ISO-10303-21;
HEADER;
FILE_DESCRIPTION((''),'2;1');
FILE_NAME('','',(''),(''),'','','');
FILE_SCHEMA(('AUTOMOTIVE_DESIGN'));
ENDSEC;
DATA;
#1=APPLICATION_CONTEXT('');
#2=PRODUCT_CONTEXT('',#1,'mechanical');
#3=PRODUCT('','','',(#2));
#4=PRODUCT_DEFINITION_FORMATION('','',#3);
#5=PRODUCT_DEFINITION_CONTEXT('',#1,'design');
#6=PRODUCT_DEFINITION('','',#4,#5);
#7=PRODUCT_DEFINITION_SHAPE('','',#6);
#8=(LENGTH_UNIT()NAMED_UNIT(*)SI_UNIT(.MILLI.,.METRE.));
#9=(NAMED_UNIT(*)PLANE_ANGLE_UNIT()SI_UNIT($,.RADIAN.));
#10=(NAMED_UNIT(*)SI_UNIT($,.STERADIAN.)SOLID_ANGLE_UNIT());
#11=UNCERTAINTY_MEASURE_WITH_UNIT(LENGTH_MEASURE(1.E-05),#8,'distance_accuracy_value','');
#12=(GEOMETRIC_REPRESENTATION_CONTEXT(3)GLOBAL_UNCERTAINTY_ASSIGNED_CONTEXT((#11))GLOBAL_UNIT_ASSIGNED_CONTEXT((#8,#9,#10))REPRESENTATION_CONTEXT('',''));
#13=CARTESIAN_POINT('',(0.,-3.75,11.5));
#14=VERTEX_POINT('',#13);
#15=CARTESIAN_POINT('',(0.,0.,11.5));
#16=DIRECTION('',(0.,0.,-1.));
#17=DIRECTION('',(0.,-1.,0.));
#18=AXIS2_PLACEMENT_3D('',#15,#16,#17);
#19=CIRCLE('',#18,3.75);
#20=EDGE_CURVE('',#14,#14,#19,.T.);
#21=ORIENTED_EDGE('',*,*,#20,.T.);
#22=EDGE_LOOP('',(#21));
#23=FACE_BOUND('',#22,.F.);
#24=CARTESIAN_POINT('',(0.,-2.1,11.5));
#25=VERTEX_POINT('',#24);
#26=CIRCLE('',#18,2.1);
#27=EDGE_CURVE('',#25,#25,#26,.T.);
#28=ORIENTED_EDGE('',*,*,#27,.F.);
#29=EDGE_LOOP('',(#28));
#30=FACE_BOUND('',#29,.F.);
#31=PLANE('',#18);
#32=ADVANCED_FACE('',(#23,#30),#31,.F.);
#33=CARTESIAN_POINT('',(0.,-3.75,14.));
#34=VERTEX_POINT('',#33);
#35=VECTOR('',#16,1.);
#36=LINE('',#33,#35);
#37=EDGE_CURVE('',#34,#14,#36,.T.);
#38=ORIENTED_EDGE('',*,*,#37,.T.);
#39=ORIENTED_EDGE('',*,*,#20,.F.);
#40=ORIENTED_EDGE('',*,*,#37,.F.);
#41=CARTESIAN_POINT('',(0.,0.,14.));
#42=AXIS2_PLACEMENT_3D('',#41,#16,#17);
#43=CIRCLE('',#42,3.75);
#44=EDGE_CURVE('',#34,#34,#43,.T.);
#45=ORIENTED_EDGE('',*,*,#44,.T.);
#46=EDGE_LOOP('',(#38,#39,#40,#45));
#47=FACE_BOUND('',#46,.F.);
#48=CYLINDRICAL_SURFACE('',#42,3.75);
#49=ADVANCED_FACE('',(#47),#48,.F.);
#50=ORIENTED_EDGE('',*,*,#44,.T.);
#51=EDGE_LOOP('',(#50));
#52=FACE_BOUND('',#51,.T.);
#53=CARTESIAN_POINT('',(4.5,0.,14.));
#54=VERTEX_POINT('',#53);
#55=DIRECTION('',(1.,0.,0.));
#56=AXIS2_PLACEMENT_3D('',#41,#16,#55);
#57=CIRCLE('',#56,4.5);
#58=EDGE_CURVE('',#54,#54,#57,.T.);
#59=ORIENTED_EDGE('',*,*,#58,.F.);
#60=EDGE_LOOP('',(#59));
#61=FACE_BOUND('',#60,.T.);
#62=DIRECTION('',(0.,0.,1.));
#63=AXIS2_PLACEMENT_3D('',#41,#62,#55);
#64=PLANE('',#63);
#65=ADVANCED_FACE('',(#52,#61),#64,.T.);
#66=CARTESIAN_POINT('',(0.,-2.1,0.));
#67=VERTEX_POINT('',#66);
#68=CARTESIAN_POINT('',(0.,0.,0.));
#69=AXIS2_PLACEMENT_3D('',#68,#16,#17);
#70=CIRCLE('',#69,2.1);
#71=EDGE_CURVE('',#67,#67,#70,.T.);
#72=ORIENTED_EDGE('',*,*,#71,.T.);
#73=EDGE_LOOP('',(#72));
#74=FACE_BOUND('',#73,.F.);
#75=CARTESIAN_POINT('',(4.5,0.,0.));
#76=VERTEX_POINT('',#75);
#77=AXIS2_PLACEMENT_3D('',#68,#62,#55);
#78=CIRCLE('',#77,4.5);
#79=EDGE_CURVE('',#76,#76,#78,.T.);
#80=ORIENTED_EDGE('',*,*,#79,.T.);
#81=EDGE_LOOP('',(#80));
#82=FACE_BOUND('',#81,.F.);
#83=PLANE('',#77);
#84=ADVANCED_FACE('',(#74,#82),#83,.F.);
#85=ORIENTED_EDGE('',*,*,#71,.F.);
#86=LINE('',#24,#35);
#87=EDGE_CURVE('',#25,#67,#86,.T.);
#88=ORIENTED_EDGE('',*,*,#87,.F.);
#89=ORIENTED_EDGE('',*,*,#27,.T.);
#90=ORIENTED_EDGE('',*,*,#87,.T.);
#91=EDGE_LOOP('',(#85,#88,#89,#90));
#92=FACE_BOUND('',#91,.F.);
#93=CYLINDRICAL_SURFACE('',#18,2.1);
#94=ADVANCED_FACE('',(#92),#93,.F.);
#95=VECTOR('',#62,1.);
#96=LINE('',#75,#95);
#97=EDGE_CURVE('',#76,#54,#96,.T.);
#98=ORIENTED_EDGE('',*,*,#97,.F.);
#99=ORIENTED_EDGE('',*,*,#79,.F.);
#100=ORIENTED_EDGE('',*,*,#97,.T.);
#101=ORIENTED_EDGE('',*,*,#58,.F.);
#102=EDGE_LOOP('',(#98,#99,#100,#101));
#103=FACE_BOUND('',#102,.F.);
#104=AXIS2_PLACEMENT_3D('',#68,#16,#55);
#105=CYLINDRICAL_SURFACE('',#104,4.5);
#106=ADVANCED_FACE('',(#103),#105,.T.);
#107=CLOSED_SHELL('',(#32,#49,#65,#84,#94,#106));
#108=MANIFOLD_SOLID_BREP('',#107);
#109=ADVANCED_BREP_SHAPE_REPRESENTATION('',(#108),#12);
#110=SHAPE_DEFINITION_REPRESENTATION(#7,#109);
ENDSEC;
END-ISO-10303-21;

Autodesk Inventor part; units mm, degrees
ref_plane "YZ Plane" through (0, 0, 0) normal (1, 0, 0) x (0, 1, 0)
ref_plane "XZ Plane" through (0, 0, 0) normal (0, 1, 0) x (-1, 0, 0)
ref_plane "XY Plane" through (0, 0, 0) normal (0, 0, 1) x (1, 0, 0)
sketch "Náčrt1" plane through (0, 0, 0) normal (0, 0, 1) x (1, 0, 0)
  line L0 (-6.3, 0) -> (6.3, 0) projected
  line L1 (0, -6.3) -> (0, 6.3) projected
  circle A0 centre (0, 0) radius 4.5
  dimension "d0" = 9
extrude "Vysunutí1" add sketch "Náčrt1" along normal blind 14
sketch "Náčrt2" plane through (0, 0, 14) normal (0, 0, 1) x (1, 0, 0)
  line L0 (-6.3, 0) -> (6.3, 0) projected
  line L1 (0, -6.3) -> (0, 6.3) projected
  point P0 (0, 0)
  point P1 (0, 0)
hole "Díra1" at (0, 0, 14) direction (0, 0, -1) diameter 4.2 end through all counterbore diameter 7.5 counterbore depth 2.5 clearance for "Strojní šroub se zápustnou hlavou" size "M4" standard "Ansi M metrický profil"
properties part number "dira_m4"
